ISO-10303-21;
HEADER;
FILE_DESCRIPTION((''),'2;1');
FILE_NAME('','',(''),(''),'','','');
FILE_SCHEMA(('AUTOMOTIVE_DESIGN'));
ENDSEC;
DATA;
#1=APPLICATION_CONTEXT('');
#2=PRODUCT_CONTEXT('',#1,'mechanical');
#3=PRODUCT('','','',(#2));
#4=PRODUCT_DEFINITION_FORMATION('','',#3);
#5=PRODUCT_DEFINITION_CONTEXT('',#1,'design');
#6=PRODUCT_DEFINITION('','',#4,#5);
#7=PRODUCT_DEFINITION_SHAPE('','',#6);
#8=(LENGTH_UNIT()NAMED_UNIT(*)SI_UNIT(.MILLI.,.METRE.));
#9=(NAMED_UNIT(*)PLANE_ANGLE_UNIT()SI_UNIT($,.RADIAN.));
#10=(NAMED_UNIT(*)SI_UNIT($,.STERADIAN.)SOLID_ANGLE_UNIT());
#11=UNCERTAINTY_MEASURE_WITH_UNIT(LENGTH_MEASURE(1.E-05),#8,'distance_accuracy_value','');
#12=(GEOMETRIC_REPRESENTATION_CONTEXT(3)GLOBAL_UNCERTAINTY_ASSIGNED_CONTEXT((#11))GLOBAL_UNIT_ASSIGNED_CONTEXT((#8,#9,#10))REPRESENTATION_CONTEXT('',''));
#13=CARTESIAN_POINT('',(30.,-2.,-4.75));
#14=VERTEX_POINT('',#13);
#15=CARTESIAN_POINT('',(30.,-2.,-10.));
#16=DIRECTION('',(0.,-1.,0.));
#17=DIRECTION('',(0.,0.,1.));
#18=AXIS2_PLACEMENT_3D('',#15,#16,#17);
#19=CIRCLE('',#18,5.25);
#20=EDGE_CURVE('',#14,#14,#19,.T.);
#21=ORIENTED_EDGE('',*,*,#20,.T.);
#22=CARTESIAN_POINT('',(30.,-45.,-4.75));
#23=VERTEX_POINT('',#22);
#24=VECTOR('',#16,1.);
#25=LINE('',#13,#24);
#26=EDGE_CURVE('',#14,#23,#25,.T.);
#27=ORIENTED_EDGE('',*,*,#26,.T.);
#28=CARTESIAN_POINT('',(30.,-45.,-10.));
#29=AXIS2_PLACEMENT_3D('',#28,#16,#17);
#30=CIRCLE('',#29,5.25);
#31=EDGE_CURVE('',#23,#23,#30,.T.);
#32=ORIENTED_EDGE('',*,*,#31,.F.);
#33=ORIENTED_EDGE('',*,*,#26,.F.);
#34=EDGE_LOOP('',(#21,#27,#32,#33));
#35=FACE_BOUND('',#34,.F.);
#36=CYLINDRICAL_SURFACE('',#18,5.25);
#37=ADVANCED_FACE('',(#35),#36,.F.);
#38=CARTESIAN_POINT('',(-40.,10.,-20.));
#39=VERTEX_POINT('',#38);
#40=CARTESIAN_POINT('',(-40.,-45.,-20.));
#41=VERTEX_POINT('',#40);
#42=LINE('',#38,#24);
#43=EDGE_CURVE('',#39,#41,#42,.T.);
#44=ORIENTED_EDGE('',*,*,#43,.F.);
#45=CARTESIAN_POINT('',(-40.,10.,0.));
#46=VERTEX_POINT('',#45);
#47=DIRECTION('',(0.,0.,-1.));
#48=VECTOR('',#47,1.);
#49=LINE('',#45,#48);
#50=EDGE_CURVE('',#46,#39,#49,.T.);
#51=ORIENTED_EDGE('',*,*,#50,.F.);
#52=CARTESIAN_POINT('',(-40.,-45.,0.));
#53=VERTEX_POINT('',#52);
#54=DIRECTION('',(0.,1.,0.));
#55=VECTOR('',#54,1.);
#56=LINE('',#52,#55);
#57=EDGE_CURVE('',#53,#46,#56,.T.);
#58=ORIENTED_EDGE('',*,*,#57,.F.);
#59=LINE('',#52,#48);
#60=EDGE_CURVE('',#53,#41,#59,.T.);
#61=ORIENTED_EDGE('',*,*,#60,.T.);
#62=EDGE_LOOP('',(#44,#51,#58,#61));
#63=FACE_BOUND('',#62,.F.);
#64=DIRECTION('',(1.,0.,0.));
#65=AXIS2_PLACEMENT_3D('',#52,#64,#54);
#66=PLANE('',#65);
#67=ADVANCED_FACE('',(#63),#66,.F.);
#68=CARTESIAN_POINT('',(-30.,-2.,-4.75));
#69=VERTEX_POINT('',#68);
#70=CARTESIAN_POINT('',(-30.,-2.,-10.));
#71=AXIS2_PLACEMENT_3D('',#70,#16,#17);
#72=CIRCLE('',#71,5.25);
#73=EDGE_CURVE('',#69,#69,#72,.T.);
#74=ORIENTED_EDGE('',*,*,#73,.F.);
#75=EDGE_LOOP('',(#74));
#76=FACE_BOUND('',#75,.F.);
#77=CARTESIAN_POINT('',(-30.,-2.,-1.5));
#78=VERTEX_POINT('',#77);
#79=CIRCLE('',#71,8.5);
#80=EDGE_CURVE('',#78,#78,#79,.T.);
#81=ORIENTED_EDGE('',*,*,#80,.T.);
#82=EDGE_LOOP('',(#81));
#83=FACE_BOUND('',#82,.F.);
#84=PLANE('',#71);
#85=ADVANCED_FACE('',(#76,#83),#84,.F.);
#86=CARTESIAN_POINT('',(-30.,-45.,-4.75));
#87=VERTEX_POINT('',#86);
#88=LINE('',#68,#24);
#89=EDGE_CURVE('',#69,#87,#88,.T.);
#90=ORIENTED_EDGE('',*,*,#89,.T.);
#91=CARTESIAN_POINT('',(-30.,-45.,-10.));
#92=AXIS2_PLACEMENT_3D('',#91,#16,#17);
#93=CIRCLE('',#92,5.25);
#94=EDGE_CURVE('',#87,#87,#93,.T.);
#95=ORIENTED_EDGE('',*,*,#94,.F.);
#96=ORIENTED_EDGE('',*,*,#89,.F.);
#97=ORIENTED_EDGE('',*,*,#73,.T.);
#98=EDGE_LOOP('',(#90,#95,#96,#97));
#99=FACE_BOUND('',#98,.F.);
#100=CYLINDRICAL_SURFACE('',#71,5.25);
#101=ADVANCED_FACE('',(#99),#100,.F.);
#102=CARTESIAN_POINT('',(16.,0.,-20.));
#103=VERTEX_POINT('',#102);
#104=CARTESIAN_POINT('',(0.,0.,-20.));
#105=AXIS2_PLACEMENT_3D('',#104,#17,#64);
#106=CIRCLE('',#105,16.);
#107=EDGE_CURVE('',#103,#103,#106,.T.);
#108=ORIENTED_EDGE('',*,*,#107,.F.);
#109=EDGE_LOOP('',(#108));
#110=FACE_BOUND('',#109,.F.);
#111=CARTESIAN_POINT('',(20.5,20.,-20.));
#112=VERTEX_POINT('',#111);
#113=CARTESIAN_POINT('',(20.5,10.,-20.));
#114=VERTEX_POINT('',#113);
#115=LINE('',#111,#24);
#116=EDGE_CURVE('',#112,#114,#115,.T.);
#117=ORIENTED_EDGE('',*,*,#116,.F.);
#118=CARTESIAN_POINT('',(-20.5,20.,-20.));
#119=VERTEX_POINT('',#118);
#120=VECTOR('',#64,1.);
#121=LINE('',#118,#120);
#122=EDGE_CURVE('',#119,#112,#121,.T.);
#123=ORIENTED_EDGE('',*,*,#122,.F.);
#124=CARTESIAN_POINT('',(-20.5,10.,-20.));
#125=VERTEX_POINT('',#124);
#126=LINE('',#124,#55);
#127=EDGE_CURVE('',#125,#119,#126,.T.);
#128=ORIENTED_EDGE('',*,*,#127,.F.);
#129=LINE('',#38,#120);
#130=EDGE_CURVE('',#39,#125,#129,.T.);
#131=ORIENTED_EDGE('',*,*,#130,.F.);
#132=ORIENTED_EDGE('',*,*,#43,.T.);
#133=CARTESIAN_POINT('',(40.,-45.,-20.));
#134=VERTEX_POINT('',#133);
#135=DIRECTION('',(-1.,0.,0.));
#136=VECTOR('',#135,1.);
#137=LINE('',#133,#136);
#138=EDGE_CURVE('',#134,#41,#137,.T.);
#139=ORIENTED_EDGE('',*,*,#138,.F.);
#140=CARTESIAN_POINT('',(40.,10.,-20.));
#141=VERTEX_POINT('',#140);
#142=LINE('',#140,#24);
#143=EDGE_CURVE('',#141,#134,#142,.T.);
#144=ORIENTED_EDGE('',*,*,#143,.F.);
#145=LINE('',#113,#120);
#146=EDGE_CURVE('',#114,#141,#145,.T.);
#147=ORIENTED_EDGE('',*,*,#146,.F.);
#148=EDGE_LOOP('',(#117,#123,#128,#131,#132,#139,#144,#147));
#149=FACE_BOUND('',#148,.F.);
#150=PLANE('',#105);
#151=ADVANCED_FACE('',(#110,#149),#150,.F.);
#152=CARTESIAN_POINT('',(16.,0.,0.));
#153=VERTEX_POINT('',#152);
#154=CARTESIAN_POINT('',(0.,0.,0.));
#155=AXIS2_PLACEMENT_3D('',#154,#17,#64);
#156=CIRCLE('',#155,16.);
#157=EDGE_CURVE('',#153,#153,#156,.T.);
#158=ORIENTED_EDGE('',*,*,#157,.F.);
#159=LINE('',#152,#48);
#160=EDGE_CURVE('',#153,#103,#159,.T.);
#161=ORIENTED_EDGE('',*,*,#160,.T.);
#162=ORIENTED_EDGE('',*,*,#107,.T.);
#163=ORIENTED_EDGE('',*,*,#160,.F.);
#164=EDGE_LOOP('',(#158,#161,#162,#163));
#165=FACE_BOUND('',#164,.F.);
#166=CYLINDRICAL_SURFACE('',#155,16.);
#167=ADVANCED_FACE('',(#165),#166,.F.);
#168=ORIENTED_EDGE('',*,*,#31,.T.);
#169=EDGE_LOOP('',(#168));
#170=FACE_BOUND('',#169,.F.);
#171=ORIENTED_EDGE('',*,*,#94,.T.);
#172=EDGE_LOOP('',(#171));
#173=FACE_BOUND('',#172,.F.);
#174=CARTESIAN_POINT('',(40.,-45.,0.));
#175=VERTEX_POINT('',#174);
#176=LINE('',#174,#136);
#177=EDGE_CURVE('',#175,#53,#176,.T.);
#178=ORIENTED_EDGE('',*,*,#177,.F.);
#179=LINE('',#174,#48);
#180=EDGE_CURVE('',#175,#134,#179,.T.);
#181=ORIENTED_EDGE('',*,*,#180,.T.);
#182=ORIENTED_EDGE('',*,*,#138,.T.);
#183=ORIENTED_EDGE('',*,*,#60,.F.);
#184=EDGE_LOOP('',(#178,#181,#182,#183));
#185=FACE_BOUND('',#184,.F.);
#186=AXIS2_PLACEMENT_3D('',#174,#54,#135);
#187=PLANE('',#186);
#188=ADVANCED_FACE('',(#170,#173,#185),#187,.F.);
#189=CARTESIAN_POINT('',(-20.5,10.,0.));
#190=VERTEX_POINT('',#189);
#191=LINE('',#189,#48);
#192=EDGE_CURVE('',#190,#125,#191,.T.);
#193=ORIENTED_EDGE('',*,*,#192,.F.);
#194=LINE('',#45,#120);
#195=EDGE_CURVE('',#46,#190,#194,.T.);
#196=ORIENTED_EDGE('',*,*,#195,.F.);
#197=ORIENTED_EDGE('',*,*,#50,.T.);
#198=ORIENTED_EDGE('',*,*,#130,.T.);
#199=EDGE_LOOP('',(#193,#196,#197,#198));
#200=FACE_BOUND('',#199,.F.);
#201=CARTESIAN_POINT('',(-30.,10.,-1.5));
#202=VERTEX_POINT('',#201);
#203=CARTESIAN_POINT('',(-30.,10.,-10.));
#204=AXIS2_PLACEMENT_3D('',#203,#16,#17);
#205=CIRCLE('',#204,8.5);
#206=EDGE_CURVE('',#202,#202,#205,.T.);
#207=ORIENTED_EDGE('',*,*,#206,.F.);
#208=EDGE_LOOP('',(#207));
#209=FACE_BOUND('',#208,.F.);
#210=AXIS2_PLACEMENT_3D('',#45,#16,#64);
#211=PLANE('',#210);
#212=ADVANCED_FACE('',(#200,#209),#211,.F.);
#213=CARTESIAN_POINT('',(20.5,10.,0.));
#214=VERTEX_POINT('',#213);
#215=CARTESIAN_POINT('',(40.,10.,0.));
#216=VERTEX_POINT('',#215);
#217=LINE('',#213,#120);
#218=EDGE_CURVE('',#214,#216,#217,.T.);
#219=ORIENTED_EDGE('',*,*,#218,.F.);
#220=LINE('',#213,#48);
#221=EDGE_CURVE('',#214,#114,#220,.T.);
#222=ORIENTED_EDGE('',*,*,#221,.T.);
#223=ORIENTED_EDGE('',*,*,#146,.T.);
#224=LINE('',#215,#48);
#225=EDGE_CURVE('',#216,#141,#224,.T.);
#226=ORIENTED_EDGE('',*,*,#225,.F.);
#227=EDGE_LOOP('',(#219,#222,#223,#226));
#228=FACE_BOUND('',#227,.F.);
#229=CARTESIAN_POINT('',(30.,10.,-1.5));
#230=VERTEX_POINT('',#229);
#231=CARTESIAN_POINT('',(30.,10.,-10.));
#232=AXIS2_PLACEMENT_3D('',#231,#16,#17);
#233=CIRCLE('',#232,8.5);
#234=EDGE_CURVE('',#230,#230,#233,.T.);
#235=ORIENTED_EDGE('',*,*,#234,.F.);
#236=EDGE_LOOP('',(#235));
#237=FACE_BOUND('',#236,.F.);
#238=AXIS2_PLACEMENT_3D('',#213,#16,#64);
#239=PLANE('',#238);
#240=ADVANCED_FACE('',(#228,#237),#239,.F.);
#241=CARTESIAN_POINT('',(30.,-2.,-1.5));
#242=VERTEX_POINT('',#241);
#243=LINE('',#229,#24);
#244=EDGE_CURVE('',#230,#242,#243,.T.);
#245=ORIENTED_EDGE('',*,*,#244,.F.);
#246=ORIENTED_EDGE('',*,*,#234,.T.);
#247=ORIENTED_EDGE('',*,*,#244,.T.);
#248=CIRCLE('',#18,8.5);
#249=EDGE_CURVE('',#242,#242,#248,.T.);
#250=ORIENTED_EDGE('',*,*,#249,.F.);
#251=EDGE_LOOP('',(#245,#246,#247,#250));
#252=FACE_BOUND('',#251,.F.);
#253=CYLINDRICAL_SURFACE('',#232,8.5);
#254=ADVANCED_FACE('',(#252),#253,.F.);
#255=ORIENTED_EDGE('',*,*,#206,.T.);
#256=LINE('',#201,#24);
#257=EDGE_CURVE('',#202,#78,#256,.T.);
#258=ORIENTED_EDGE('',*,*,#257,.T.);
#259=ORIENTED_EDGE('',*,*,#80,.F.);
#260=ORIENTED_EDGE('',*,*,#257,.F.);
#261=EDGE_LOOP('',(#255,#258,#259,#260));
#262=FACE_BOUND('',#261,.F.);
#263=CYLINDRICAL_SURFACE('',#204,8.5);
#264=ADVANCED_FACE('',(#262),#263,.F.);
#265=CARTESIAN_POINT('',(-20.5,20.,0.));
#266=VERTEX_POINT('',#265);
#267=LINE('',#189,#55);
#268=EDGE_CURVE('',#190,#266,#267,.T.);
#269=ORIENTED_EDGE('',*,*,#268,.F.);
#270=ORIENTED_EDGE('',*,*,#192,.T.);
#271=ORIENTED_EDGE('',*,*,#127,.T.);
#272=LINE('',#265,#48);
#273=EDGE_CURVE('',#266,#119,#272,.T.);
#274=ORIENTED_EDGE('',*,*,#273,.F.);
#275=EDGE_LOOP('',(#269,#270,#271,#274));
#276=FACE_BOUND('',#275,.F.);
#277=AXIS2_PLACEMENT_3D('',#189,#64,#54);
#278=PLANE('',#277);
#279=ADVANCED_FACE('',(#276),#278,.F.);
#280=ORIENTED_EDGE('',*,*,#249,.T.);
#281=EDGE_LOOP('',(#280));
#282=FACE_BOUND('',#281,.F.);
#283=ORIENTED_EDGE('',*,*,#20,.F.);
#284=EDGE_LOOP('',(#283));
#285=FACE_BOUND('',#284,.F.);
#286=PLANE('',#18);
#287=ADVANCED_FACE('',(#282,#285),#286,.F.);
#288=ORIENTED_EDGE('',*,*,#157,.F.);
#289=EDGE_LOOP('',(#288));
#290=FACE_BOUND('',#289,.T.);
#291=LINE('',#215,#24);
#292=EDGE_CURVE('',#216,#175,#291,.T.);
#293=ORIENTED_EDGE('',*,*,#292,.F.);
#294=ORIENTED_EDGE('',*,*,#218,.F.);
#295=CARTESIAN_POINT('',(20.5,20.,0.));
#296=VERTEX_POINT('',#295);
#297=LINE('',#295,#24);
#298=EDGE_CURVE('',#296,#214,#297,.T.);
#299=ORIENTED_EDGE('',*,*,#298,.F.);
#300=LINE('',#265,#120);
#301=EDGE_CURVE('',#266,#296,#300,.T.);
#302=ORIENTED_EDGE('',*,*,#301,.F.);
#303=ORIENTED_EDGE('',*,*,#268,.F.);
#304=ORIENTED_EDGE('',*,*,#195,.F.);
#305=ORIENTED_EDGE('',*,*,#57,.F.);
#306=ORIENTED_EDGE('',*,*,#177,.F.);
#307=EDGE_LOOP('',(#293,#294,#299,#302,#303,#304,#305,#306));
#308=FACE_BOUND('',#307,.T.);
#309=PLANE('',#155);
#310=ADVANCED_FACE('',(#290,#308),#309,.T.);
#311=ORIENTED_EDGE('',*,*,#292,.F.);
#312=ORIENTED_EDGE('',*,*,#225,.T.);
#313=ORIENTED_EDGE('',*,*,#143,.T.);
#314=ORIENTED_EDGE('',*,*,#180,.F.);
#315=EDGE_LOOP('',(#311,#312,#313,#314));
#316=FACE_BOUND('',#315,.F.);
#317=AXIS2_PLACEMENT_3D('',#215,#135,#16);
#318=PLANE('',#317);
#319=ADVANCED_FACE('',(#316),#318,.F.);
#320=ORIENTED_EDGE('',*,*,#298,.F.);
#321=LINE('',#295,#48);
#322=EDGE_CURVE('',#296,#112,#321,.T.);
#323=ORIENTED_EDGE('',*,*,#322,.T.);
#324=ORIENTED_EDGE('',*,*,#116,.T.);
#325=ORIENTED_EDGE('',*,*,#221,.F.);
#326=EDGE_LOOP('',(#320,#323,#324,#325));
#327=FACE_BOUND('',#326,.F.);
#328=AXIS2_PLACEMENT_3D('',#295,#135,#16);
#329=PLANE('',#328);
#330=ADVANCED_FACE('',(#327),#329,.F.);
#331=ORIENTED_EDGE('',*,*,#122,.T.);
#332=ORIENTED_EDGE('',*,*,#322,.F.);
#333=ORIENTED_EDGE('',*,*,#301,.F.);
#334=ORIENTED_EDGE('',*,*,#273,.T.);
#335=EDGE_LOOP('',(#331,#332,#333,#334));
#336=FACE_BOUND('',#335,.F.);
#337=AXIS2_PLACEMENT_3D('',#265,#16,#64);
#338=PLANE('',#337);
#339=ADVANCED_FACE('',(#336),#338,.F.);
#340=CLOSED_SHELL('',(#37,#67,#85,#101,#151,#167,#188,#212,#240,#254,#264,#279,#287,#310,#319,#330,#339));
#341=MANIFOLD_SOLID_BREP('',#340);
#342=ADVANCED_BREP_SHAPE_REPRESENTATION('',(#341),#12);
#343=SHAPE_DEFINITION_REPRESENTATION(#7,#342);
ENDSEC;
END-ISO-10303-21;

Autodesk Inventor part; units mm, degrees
sketch "Sketch_1" plane through (0, 0, 0) normal (0, 0, 1) x (1, 0, 0)
  line L0 (-40, -45) -> (-40, 10)
  line L1 (-40, 10) -> (-20.5, 10)
  line L2 (-20.5, 10) -> (-20.5, 20)
  line L3 (-20.5, 20) -> (20.5, 20)
  line L4 (20.5, 20) -> (20.5, 10)
  line L5 (20.5, 10) -> (40, 10)
  line L6 (40, 10) -> (40, -45)
  line L7 (40, -45) -> (-40, -45)
  line L8 (-40, -45) -> (-40, -25)
  dimension "d24" = 55
  dimension "d25" = 19.5
  dimension "d26" = 10
  dimension "d27" = 41
  dimension "d28" = 10
  dimension "d29" = 19.5
  dimension "d30" = 55
  dimension "d31" = 20
extrude "Extrusion1" add sketch "Sketch_1" against normal blind 20
ref_plane "bf_1_XY" through (0, 0, 0) normal (0, 0, 1) x (1, 0, 0)
ref_plane "bf_1_YZ" through (0, 0, 0) normal (1, 0, 0) x (0, 1, 0)
ref_plane "bf_1_ZX" through (0, 0, 0) normal (0, 1, 0) x (0, 0, 1)
ref_plane "bf_2x_XY" through (0, 0, -10) normal (0, 0, 1) x (1, 0, 0)
ref_plane "bf_2x_YZ" through (0, 0, -10) normal (1, 0, 0) x (0, 1, 0)
ref_plane "bf_2x_ZX" through (0, 0, -10) normal (0, 1, 0) x (0, 0, 1)
sketch "Sketch6" plane through (20.5, 10, 0) normal (0, 1, 0) x (1, 0, 0)
  line L0 (-41, 0) -> (0, 0) projected
  line L1 (19.5, 0) -> (19.5, 20) projected
  line L2 (19.5, 10) -> (9.5, 10)
  line L3 (-60.5, 0) -> (-60.5, 20) projected
  line L4 (-60.5, 10) -> (-50.5, 10)
  point P0 (-20.5, 0)
  dimension "d32" = 10
  dimension "d40" = 10
hole "Hole4" at (30, 10, -10) at (-30, 10, -10) direction (0, -1, 0) diameter 10.5 end through all counterbore diameter 17 counterbore depth 12
sketch "Sketch7" plane through (0, 0, 0) normal (0, 0, 1) x (1, 0, 0)
  circle A0 centre (0, 0) radius 16
  dimension "d42" = 32
extrude "Extrusion2" cut sketch "Sketch7" against normal up to surface (20 mm away)
properties part number "BF 15 Part1"
